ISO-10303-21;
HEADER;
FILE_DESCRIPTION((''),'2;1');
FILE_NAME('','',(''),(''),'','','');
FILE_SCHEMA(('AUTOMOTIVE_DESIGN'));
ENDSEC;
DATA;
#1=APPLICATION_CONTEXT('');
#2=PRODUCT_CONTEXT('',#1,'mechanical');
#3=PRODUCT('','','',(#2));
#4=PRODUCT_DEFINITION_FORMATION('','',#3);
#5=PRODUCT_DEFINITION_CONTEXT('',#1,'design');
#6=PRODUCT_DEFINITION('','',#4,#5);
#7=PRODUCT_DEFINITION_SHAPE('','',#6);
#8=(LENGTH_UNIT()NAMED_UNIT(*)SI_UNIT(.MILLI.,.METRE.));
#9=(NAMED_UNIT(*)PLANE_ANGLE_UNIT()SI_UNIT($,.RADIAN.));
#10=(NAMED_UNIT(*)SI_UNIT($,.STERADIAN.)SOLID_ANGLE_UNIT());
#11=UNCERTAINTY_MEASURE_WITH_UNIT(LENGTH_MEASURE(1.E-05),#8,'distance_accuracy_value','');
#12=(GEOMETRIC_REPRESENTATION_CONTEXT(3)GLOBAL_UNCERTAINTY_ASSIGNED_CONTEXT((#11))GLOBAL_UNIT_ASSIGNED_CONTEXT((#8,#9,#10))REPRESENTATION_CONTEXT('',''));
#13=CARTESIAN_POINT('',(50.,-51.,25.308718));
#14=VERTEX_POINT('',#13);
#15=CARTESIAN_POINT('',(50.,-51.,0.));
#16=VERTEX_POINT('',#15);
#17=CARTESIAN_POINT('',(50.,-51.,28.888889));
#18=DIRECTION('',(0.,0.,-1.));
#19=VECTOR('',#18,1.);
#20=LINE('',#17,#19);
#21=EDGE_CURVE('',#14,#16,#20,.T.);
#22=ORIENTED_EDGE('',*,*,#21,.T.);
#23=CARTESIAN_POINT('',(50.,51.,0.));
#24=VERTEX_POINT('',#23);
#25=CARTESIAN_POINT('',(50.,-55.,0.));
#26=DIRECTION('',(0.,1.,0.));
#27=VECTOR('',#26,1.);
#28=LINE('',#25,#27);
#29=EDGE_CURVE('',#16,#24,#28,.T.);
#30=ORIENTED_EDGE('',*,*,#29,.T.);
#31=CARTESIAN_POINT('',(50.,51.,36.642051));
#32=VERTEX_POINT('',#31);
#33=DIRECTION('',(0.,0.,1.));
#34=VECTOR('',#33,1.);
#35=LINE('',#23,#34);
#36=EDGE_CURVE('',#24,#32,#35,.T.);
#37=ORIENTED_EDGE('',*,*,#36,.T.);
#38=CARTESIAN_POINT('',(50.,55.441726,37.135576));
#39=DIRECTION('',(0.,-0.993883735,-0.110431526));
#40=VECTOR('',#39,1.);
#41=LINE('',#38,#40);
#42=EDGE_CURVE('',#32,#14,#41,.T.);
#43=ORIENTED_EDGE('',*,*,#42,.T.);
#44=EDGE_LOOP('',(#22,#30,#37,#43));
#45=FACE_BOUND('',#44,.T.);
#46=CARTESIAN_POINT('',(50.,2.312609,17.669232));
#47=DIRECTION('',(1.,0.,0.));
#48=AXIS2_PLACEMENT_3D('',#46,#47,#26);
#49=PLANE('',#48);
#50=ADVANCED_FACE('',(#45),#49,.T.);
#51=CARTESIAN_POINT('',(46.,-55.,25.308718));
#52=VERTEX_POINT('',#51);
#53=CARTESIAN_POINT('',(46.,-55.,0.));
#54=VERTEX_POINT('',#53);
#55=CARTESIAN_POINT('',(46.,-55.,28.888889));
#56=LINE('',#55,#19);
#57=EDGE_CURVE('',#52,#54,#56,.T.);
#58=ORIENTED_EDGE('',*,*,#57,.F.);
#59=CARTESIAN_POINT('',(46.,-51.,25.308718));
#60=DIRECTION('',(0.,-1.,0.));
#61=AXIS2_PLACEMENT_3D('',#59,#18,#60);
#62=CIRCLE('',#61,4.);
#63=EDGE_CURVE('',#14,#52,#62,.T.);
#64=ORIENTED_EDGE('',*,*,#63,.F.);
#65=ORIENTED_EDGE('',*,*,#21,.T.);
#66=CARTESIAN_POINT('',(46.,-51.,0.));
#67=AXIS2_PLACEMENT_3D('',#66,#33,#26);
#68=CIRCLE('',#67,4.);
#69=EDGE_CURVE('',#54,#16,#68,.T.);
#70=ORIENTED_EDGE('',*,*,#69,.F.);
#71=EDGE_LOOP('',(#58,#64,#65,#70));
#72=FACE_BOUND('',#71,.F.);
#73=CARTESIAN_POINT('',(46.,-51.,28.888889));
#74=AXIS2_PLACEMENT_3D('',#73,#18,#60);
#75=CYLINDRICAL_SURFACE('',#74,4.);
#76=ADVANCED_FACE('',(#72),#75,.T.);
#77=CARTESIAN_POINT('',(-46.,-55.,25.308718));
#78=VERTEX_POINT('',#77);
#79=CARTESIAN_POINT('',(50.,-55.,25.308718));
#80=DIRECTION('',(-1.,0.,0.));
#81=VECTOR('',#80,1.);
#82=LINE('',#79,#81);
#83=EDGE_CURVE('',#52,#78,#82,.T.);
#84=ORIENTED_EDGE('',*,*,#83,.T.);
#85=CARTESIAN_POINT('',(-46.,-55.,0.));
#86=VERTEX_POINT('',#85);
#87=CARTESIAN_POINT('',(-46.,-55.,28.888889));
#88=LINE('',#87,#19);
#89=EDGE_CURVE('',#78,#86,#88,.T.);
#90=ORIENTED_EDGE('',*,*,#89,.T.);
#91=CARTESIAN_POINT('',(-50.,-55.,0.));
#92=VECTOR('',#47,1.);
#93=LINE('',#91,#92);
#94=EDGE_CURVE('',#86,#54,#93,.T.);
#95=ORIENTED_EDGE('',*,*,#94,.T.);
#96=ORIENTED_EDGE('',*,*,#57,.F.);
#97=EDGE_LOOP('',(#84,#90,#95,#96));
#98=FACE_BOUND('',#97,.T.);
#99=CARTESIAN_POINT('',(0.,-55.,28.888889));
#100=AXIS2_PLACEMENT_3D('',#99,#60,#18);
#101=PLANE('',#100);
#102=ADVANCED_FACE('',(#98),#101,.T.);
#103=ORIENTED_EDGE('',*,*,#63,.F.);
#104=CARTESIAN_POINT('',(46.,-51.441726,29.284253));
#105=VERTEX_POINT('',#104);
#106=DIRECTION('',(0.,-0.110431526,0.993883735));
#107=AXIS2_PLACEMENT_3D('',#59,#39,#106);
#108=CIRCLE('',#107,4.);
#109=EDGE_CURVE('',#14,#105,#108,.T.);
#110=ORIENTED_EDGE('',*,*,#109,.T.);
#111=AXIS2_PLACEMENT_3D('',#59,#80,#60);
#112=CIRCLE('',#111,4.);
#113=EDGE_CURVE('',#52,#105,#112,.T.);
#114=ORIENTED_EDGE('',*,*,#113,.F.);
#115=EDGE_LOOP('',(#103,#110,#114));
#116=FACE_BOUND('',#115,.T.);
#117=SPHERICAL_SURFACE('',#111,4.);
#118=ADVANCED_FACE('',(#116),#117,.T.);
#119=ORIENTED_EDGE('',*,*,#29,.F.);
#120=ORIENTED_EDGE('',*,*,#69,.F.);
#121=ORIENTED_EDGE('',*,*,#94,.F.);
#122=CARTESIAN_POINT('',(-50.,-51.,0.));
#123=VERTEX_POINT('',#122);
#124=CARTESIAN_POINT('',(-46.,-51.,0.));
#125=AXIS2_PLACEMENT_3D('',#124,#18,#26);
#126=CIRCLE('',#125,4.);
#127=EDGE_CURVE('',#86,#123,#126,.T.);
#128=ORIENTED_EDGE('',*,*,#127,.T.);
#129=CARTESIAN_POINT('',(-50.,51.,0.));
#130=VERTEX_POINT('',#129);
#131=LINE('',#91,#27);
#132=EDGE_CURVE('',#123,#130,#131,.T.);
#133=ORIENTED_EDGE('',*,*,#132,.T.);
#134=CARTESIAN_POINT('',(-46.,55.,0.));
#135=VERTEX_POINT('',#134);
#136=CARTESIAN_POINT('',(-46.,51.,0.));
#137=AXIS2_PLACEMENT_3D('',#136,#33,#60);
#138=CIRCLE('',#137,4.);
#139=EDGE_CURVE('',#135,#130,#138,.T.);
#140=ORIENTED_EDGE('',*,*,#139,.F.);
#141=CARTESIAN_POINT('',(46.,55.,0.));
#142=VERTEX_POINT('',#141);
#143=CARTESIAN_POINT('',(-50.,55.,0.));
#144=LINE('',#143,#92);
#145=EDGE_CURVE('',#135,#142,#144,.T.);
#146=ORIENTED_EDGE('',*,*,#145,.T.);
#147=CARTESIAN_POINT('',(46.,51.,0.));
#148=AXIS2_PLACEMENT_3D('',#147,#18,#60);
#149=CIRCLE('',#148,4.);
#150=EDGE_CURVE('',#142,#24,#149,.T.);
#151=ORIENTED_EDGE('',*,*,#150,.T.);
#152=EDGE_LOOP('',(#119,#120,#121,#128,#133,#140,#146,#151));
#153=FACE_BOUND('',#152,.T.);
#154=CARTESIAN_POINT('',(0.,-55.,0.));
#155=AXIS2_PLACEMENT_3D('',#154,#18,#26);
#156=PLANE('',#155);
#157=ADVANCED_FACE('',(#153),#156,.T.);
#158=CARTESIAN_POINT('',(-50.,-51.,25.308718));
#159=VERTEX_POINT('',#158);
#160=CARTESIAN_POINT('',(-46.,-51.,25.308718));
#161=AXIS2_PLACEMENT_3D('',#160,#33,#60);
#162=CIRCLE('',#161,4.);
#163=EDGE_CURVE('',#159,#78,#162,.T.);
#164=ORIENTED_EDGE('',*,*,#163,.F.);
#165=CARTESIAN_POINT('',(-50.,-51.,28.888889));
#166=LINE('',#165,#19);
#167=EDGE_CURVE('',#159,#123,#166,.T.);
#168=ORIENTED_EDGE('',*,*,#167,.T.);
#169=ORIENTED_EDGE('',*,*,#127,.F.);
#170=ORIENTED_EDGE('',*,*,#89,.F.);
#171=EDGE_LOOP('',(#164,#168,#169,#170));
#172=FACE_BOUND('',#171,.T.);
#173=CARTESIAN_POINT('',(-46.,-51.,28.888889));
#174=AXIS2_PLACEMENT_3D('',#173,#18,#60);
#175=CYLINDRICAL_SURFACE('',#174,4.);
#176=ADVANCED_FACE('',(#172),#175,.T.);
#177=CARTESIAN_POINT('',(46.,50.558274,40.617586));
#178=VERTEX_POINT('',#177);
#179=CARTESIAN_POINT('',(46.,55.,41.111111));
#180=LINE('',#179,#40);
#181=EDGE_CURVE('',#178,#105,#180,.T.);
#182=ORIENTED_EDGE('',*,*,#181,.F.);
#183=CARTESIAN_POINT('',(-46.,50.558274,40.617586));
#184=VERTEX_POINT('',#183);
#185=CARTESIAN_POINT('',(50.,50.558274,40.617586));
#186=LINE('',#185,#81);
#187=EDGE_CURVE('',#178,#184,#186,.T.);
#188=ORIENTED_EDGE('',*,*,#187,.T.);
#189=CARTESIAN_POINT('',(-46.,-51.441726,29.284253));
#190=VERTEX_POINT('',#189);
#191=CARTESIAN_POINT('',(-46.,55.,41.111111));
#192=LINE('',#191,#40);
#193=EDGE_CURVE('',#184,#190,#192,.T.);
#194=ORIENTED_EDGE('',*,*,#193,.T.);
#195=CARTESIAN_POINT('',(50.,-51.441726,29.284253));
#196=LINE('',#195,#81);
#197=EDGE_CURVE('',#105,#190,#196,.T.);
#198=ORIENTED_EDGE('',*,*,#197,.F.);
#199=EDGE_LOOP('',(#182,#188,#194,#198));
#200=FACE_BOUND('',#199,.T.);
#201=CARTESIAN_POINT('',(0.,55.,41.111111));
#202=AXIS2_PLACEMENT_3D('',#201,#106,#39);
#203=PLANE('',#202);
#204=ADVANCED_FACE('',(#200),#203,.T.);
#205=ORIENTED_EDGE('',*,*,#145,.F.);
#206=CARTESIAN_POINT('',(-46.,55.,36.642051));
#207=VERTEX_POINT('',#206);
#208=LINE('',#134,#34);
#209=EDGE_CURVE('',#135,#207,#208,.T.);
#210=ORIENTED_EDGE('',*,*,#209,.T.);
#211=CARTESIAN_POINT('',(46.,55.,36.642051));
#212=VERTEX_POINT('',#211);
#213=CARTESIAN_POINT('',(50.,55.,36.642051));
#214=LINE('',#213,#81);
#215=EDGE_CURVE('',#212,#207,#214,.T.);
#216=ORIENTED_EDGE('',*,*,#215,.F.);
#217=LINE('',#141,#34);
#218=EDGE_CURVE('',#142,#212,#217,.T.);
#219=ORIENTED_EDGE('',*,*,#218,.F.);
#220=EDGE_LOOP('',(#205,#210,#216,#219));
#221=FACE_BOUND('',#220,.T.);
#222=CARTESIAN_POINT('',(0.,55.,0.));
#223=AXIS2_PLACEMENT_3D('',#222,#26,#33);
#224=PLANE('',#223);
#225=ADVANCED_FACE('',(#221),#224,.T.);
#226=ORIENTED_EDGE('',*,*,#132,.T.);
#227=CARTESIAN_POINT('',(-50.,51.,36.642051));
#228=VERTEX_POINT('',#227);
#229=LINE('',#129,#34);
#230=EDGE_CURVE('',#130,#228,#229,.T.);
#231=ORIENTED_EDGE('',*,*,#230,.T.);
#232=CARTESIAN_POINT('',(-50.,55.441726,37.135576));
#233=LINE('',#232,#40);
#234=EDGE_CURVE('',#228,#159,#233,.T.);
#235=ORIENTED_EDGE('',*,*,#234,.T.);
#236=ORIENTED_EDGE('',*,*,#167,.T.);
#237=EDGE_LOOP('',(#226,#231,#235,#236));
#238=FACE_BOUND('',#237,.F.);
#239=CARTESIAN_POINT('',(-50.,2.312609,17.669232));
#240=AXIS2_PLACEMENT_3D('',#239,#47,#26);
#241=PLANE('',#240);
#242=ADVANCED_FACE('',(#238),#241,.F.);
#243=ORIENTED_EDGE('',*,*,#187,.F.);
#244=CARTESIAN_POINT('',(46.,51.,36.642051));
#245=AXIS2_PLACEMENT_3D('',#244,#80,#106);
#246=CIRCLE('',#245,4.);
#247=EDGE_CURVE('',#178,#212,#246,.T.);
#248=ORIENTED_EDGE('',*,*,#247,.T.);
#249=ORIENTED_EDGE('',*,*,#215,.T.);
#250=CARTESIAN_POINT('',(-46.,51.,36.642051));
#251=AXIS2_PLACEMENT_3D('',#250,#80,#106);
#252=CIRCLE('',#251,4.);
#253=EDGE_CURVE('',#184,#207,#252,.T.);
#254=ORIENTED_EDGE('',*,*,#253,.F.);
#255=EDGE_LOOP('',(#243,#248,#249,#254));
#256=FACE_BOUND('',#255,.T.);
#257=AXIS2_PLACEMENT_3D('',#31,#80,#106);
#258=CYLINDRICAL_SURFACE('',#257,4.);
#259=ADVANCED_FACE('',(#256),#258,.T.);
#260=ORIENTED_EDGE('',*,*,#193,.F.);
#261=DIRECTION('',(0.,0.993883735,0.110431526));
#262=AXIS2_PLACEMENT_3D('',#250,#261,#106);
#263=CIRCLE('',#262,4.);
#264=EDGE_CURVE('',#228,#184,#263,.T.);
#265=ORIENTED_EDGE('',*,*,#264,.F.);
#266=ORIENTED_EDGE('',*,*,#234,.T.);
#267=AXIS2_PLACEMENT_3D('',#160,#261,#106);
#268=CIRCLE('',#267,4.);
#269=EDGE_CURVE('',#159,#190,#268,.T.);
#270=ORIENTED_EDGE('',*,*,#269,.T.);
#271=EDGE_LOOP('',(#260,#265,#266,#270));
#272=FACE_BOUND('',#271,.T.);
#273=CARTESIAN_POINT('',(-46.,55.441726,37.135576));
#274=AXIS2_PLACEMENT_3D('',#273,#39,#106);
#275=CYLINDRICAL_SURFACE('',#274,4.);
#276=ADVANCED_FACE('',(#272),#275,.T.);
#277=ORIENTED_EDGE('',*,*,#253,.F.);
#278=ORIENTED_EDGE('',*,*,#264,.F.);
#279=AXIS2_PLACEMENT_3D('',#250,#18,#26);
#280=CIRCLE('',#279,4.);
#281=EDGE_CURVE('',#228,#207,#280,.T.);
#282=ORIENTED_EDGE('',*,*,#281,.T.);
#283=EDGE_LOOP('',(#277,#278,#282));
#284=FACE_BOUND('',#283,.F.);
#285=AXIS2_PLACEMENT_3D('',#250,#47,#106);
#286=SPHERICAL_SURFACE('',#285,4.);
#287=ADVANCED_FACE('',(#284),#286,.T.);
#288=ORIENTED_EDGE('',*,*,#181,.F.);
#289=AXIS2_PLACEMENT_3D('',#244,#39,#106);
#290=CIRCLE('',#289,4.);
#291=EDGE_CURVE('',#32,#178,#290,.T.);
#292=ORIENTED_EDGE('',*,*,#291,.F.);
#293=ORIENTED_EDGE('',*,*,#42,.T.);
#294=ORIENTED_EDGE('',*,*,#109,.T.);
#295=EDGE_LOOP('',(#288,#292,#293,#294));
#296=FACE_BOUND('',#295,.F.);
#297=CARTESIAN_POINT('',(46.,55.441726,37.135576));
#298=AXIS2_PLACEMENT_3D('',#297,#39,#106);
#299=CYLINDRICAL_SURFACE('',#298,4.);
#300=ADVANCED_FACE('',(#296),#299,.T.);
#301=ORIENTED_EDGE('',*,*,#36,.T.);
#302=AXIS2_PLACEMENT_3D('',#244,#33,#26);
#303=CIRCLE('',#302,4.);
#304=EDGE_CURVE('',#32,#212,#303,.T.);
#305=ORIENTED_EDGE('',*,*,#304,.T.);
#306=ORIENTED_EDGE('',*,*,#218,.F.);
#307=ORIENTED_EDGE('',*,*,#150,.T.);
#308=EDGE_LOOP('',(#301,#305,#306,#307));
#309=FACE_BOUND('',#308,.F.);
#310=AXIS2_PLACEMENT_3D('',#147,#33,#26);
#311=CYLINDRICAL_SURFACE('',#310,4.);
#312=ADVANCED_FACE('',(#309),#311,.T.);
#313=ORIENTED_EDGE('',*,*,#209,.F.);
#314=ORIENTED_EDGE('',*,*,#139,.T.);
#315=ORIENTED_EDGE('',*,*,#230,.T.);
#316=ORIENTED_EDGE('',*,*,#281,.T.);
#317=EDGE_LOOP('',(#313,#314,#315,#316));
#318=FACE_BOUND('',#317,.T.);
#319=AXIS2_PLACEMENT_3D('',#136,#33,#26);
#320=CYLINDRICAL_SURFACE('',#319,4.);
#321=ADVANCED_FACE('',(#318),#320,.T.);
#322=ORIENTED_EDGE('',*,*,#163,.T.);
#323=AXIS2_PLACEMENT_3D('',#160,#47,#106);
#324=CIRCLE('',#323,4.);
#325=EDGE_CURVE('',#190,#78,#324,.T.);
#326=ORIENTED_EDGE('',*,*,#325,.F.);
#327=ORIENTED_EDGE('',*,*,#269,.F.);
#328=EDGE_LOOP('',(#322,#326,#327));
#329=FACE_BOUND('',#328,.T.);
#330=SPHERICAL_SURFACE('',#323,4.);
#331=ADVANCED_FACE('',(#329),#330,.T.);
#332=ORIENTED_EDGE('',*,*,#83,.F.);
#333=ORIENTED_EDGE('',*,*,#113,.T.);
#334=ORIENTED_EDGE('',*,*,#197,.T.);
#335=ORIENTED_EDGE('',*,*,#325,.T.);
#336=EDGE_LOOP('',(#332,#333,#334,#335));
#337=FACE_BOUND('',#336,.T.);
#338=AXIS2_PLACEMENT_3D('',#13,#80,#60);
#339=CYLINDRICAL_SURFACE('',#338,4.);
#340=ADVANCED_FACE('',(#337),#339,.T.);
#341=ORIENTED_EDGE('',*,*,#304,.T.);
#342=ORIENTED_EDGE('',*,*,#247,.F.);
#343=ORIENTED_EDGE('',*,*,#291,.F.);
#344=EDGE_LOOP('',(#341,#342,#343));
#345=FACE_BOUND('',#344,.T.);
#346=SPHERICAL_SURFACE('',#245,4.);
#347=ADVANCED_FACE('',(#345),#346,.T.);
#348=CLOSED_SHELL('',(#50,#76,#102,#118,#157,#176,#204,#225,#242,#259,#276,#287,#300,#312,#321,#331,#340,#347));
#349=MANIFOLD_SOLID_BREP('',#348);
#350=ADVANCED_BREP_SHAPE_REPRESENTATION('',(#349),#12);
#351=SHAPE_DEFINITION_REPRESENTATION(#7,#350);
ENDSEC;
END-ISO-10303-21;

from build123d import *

# Parameters (mm, degrees)
F8_DEPTH      = 50
F8_DEPTH_BACK = 50
F9_R          = 4


with BuildPart() as f8:
    # F0 (on Right) → F8 (new body, two sides)
    with BuildSketch(Plane.YZ) as f8_sk:
        Polygon((-55, 28.8888888889), (-55, 0), (55, 0), (55, 41.1111111111), align=None)
    extrude(amount=F8_DEPTH)
    extrude(f8_sk.sketch, amount=-F8_DEPTH_BACK)

    # F9
    f9_edges = [f8.edges().sort_by_distance(p)[0] for p in [
        (50, -55, 14.444444),
        (-50, -55, 14.444444),
        (50, 55, 20.555556),
        (-50, 55, 20.555556),
        (0, 55, 41.111111),
        (50, 0, 35),
        (0, -55, 28.888889),
        (-50, 0, 35),
    ]]
    fillet(f9_edges, radius=F9_R)


solid = f8.part
